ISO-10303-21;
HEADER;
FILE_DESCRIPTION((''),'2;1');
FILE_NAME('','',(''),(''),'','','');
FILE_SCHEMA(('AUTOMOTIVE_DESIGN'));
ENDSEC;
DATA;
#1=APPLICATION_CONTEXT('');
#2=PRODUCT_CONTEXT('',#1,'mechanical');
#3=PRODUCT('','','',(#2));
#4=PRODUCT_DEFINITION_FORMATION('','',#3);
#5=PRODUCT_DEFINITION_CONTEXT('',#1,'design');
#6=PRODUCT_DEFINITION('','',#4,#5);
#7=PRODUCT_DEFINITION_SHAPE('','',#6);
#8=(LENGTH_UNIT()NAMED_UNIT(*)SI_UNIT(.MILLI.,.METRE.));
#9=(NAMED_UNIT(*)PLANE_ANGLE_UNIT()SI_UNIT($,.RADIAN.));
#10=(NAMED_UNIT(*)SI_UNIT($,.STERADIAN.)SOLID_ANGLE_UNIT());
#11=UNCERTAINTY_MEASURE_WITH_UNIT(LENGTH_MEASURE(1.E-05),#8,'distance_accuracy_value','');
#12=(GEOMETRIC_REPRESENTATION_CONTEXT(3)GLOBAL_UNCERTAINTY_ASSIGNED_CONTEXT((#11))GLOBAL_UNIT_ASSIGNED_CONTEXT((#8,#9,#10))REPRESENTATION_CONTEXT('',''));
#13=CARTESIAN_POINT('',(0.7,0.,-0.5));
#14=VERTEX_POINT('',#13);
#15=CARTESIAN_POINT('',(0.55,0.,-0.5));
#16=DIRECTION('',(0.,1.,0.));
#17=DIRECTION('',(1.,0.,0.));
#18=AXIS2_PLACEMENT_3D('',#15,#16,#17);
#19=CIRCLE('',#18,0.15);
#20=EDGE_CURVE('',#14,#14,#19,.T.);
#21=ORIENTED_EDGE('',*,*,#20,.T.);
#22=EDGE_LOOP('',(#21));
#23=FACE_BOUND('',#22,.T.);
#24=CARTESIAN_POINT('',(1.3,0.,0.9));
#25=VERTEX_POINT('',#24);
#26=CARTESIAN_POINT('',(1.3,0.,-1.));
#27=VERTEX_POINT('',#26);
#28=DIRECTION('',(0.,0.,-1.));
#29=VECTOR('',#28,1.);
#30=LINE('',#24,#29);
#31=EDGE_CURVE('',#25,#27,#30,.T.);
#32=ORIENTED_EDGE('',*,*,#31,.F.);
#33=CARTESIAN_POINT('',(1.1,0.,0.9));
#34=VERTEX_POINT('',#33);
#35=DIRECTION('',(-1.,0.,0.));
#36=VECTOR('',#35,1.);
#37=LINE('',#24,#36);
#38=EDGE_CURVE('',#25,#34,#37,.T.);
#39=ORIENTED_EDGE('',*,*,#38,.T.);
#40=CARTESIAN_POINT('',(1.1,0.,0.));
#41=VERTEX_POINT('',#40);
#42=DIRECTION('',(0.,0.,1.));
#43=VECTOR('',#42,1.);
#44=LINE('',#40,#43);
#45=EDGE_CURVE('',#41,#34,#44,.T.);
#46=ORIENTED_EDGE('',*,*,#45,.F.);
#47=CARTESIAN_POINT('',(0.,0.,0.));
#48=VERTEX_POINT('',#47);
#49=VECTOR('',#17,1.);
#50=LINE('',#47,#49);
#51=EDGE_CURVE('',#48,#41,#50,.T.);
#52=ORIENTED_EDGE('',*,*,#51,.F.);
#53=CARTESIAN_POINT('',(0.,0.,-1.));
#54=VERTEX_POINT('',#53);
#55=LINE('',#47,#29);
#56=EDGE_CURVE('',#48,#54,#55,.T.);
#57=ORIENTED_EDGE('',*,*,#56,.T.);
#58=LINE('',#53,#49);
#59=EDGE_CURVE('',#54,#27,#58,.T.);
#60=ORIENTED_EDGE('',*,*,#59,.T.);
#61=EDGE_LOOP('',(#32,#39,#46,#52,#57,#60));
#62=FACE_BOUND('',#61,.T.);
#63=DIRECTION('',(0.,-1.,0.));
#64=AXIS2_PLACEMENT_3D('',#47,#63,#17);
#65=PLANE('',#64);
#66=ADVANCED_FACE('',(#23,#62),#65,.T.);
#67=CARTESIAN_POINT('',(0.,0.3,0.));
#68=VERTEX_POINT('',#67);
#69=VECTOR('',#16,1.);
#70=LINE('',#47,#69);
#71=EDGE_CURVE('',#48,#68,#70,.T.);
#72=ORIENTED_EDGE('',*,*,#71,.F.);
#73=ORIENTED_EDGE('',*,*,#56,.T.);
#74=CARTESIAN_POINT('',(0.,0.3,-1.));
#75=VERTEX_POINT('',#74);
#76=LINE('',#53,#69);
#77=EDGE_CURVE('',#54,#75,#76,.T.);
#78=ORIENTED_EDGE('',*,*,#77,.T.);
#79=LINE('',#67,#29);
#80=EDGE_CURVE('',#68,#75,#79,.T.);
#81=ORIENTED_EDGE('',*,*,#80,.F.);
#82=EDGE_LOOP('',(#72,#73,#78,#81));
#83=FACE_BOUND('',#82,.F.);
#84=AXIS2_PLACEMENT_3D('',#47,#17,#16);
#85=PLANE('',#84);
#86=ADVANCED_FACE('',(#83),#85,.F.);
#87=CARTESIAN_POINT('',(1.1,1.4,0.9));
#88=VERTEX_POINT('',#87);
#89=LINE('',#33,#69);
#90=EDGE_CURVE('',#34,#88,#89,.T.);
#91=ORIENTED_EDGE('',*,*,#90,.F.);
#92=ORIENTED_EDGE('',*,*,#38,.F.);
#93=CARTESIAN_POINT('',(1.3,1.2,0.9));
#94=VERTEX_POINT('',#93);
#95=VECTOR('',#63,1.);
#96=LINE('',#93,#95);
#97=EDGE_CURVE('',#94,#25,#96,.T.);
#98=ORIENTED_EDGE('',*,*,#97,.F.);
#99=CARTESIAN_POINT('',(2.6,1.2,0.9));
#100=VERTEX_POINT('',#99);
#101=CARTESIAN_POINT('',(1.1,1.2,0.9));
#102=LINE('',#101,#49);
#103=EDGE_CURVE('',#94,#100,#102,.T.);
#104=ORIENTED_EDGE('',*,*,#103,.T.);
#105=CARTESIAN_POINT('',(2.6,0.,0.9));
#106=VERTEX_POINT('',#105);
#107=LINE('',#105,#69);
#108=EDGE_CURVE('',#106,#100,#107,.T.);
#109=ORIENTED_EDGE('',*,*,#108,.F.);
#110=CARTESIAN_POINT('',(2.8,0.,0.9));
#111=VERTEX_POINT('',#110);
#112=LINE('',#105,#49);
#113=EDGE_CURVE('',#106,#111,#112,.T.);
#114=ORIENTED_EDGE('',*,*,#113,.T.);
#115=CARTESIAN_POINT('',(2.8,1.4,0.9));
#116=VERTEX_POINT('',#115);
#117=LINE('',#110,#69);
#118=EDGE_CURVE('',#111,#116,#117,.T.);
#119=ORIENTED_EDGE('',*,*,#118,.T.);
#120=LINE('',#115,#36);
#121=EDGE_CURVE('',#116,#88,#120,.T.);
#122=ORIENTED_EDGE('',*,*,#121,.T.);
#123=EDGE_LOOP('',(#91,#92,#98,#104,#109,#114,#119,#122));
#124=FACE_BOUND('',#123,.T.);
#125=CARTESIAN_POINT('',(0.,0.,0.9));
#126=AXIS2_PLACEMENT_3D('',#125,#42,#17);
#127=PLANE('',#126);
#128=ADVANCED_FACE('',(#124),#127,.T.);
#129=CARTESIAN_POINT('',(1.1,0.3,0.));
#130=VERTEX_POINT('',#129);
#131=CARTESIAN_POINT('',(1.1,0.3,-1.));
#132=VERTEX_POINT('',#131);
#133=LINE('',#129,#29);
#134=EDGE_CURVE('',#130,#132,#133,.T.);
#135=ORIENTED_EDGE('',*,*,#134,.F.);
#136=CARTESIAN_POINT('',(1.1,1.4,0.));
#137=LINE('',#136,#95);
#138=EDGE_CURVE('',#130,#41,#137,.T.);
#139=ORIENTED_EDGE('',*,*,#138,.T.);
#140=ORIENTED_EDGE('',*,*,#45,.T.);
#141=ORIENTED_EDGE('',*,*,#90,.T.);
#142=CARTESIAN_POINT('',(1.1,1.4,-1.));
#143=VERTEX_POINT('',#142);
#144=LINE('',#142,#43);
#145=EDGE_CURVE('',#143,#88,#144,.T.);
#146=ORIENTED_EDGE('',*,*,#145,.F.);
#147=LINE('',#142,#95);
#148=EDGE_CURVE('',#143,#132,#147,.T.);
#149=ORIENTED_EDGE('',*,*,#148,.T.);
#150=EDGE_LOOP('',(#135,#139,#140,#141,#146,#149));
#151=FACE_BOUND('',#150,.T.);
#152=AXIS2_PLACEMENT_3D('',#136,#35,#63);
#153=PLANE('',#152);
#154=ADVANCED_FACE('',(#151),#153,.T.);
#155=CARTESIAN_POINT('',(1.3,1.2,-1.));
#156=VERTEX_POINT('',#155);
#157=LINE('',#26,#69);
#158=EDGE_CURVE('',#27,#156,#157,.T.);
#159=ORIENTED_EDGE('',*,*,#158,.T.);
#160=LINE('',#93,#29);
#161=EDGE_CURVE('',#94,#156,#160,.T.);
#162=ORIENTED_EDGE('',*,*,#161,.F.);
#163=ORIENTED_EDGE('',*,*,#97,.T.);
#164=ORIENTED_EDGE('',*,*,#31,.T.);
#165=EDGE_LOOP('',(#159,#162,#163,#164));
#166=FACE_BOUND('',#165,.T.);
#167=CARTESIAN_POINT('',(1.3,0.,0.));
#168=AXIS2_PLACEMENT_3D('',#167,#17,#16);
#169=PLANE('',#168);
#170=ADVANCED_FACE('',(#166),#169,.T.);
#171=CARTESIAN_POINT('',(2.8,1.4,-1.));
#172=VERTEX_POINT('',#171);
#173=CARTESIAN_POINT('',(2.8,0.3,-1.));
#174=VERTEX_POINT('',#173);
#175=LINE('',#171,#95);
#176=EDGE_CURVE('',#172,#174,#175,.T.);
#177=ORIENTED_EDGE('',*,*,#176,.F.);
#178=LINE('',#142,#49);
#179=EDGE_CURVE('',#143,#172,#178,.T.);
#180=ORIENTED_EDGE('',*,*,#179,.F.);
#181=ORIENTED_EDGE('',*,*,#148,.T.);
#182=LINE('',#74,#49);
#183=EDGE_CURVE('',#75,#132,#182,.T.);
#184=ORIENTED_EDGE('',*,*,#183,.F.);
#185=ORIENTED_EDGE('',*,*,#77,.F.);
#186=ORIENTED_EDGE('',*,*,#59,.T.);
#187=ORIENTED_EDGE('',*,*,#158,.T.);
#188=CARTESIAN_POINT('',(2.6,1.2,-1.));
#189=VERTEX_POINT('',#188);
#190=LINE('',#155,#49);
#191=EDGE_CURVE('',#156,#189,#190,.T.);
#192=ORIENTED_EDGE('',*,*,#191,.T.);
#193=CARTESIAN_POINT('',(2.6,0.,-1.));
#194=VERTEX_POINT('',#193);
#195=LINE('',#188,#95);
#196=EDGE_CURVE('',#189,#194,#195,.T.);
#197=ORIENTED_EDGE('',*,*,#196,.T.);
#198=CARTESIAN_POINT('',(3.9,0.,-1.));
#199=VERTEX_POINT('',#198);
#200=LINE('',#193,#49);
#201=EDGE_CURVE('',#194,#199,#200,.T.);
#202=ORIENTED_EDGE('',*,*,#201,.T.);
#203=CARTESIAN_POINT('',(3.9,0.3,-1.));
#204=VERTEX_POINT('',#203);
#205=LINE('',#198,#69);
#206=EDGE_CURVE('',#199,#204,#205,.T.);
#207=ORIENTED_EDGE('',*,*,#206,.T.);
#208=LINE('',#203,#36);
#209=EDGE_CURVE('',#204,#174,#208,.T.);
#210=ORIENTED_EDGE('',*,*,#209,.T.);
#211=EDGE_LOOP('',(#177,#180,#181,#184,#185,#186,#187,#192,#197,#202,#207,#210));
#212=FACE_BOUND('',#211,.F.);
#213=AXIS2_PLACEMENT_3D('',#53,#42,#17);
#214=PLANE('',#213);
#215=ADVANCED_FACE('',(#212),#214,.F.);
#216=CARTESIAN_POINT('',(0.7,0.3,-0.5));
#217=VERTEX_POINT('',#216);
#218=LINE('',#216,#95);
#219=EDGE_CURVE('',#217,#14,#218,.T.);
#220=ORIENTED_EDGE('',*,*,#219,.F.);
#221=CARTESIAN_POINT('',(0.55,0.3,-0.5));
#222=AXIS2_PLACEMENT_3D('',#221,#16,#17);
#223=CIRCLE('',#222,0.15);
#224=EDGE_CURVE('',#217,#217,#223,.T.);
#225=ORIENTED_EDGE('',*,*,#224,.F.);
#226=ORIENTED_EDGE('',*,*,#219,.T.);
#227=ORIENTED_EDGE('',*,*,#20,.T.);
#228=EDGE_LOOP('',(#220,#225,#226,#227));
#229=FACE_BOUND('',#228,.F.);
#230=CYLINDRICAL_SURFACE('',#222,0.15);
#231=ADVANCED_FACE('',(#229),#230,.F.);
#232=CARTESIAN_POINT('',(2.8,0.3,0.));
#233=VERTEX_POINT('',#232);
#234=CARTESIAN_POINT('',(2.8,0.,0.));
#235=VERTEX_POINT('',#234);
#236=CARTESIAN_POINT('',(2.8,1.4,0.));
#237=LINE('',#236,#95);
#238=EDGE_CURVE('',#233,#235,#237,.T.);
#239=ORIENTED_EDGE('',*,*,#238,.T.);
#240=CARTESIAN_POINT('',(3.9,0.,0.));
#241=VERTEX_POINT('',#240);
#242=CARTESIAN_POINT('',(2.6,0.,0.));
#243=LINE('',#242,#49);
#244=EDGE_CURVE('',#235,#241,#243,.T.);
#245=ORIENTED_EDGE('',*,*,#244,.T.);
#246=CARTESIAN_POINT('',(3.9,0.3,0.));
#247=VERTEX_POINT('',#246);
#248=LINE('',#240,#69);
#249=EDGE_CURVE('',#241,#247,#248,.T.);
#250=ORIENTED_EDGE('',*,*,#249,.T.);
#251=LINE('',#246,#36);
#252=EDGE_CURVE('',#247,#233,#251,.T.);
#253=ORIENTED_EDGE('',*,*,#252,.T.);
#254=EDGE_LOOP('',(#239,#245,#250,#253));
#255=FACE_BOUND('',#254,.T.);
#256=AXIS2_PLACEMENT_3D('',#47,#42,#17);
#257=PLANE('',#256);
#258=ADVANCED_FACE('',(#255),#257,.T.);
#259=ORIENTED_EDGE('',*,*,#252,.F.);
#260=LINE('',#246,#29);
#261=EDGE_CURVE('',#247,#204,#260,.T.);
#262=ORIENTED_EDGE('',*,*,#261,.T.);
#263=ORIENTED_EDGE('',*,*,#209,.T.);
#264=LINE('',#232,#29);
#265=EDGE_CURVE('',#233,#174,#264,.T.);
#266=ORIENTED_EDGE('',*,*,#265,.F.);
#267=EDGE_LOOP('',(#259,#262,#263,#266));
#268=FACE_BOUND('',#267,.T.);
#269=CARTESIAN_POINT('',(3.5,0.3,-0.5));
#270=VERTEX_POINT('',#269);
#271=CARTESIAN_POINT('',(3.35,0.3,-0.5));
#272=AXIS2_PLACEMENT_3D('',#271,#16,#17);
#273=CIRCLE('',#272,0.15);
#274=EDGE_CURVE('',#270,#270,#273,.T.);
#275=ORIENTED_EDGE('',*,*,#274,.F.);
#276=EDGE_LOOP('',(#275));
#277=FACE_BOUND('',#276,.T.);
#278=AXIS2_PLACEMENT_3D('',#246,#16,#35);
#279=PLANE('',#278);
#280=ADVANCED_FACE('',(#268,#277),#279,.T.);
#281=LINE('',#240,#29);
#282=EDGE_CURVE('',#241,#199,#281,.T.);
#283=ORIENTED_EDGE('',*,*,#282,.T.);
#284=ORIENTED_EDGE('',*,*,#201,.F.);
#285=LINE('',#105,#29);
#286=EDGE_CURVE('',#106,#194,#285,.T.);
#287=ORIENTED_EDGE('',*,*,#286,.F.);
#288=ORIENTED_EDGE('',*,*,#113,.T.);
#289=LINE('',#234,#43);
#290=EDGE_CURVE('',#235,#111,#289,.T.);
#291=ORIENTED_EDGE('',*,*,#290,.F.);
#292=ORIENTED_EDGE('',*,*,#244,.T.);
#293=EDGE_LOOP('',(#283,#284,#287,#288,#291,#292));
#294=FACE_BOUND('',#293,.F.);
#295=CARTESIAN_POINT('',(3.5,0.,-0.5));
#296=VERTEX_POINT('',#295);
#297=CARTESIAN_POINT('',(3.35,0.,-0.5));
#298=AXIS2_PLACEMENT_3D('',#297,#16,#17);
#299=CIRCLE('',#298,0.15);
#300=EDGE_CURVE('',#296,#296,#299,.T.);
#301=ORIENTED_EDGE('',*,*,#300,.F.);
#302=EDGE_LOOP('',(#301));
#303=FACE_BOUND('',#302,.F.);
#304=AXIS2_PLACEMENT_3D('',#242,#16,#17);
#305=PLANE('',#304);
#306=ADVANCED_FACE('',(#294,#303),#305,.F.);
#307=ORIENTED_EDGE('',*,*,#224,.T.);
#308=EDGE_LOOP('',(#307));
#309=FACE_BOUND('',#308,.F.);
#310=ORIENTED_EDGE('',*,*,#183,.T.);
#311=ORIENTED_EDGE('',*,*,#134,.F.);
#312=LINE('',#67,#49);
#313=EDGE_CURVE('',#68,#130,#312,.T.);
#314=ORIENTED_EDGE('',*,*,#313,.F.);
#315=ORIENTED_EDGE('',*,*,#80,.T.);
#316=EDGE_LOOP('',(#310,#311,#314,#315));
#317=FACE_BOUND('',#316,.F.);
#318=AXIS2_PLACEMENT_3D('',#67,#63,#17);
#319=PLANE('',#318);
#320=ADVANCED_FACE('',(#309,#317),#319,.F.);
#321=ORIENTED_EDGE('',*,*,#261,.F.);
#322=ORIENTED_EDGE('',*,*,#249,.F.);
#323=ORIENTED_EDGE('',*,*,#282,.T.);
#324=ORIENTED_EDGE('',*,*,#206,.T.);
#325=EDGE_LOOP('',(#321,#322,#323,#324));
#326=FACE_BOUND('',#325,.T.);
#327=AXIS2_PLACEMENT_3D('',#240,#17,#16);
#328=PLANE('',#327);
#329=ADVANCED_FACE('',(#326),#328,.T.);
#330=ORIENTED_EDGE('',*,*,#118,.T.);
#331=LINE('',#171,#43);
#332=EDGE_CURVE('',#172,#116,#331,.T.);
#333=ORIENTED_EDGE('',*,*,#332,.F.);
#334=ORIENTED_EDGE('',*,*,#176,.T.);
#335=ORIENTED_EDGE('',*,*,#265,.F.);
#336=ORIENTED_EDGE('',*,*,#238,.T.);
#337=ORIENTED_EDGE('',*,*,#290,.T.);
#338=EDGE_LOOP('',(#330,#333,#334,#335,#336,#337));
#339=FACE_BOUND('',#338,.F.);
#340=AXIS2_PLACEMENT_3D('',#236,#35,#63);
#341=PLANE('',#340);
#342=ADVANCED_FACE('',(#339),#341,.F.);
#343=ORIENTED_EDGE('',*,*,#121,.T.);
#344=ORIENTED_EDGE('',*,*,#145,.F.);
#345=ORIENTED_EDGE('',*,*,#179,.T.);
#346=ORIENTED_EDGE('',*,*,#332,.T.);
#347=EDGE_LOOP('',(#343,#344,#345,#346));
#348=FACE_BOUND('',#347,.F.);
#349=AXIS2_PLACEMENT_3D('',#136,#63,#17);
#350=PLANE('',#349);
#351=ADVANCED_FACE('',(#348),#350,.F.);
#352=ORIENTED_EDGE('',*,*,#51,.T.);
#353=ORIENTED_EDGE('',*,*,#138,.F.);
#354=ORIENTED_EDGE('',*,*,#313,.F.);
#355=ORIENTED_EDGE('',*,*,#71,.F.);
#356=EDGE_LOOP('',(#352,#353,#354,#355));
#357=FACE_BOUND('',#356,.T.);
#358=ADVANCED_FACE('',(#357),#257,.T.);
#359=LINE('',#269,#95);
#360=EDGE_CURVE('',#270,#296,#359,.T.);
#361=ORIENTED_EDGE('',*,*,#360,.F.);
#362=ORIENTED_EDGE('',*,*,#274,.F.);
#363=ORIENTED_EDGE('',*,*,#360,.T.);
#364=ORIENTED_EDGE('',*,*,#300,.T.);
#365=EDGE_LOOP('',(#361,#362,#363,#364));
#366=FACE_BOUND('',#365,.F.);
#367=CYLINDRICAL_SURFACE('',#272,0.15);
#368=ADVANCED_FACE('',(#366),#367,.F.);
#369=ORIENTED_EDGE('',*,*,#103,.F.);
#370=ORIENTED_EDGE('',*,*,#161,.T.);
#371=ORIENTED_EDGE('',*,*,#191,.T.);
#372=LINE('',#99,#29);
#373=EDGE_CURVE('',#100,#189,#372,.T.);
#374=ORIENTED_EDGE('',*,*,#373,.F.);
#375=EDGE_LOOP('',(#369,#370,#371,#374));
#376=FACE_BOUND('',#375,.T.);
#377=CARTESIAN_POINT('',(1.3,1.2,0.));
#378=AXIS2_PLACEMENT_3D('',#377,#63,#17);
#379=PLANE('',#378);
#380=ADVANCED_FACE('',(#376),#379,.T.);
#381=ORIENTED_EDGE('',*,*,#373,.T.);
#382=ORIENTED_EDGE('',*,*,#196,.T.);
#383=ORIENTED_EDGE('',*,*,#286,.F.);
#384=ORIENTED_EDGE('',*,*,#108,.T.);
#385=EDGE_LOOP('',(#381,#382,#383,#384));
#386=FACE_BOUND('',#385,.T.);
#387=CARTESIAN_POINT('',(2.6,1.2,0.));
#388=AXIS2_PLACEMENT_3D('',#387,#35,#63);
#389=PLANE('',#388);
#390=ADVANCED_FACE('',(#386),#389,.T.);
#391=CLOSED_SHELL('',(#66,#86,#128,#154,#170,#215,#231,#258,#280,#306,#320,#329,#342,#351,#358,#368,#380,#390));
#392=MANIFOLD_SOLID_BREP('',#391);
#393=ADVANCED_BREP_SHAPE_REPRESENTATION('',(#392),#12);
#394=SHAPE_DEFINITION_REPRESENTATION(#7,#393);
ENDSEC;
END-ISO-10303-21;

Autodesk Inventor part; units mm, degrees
ref_plane "YZ Plane" through (0, 0, 0) normal (1, 0, 0) x (0, 1, 0)
ref_plane "XZ Plane" through (0, 0, 0) normal (0, 1, 0) x (-1, 0, 0)
ref_plane "XY Plane" through (0, 0, 0) normal (0, 0, 1) x (1, 0, 0)
sketch "Boceto1" plane through (0, 0, 0) normal (0, 0, 1) x (1, 0, 0)
  line L0 (2.8, 1.4) -> (2.8, 0.3)
  line L1 (2.6, 0) -> (3.9, 0)
  line L2 (3.9, 0) -> (3.9, 0.3)
  line L3 (3.9, 0.3) -> (2.8, 0.3)
  line L4 (0, 0) -> (0, 0.3)
  line L5 (0, 0.3) -> (1.1, 0.3)
  line L6 (0, 0) -> (1.3, 0)
  line L7 (1.3, 0) -> (1.3, 1.2)
  line L8 (2.6, 1.2) -> (2.6, 0)
  line L9 (1.1, 1.4) -> (1.1, 0.3)
  line L10 (1.1, 1.4) -> (2.8, 1.4)
  line L11 (1.3, 1.2) -> (2.6, 1.2)
extrude "Extrusión1" add sketch "Boceto1" against normal blind 1
sketch "Boceto2" plane through (0, 0, 0) normal (0, 0, 1) x (1, 0, 0)
  line L0 (1.1, 1.2) -> (2.8, 1.2) projected
  line L1 (1.1, 1.4) -> (1.1, 0.3) projected
  line L2 (2.8, 0.3) -> (2.8, 1.4) projected
  line L3 (1.3, 0) -> (0, 0) projected
  line L4 (1.1, 0) -> (1.3, 0)
  line L5 (1.3, 1.2) -> (1.3, 0) projected
  line L6 (1.3, 0) -> (1.3, 1.2)
  line L7 (2.6, 0) -> (2.6, 1.2) projected
  line L8 (1.3, 1.2) -> (2.6, 1.2)
  line L9 (2.6, 1.2) -> (2.6, 0)
  line L10 (2.6, 0) -> (2.8, 0)
  line L11 (2.8, 1.4) -> (2.8, 0.3) projected
  line L12 (2.8, 0) -> (2.8, 1.4)
  line L13 (1.1, 1.2) -> (2.8, 1.2) projected
  line L14 (2.8, 1.4) -> (1.1, 1.4)
  line L15 (1.1, 1.4) -> (1.1, 0)
extrude "Extrusión2" add sketch "Boceto2" along normal blind 0.9
sketch "Boceto3" plane through (2.8, 0.3, 0) normal (0, 1, 0) x (1, 0, 0)
  line L0 (-1.7, 0) -> (-1.7, 1.9)
  line L1 (-1.7, 1.9) -> (0, 1.9)
  line L2 (0, 1.9) -> (0, 0)
  line L3 (0, 0) -> (-1.7, 0)
  line L4 (-1.7, 0) -> (-2.8, 0)
  line L5 (-2.8, 0) -> (-2.8, 1)
  line L6 (-2.8, 1) -> (-1.7, 1)
  line L7 (0, 0) -> (1.1, 0)
  line L8 (1.1, 0) -> (1.1, 1)
  line L9 (1.1, 1) -> (0, 1)
  circle A0 centre (-2.25, 0.5) radius 0.15
  circle A1 centre (0.55, 0.5) radius 0.15
  line L10 (1.1, 0) -> (0, 0) projected
  line L11 (1.1, 0) -> (1.1, 1) projected
  line L12 (0, 1) -> (1.1, 1) projected
  line L13 (0, 0) -> (0, 1) projected
  point P0 (-2.8, 0)
extrude "Extrusión3" cut sketch "Boceto3" against normal blind 0.9 contours A0 | A1
properties part number "learnbotEncajeMotor"
